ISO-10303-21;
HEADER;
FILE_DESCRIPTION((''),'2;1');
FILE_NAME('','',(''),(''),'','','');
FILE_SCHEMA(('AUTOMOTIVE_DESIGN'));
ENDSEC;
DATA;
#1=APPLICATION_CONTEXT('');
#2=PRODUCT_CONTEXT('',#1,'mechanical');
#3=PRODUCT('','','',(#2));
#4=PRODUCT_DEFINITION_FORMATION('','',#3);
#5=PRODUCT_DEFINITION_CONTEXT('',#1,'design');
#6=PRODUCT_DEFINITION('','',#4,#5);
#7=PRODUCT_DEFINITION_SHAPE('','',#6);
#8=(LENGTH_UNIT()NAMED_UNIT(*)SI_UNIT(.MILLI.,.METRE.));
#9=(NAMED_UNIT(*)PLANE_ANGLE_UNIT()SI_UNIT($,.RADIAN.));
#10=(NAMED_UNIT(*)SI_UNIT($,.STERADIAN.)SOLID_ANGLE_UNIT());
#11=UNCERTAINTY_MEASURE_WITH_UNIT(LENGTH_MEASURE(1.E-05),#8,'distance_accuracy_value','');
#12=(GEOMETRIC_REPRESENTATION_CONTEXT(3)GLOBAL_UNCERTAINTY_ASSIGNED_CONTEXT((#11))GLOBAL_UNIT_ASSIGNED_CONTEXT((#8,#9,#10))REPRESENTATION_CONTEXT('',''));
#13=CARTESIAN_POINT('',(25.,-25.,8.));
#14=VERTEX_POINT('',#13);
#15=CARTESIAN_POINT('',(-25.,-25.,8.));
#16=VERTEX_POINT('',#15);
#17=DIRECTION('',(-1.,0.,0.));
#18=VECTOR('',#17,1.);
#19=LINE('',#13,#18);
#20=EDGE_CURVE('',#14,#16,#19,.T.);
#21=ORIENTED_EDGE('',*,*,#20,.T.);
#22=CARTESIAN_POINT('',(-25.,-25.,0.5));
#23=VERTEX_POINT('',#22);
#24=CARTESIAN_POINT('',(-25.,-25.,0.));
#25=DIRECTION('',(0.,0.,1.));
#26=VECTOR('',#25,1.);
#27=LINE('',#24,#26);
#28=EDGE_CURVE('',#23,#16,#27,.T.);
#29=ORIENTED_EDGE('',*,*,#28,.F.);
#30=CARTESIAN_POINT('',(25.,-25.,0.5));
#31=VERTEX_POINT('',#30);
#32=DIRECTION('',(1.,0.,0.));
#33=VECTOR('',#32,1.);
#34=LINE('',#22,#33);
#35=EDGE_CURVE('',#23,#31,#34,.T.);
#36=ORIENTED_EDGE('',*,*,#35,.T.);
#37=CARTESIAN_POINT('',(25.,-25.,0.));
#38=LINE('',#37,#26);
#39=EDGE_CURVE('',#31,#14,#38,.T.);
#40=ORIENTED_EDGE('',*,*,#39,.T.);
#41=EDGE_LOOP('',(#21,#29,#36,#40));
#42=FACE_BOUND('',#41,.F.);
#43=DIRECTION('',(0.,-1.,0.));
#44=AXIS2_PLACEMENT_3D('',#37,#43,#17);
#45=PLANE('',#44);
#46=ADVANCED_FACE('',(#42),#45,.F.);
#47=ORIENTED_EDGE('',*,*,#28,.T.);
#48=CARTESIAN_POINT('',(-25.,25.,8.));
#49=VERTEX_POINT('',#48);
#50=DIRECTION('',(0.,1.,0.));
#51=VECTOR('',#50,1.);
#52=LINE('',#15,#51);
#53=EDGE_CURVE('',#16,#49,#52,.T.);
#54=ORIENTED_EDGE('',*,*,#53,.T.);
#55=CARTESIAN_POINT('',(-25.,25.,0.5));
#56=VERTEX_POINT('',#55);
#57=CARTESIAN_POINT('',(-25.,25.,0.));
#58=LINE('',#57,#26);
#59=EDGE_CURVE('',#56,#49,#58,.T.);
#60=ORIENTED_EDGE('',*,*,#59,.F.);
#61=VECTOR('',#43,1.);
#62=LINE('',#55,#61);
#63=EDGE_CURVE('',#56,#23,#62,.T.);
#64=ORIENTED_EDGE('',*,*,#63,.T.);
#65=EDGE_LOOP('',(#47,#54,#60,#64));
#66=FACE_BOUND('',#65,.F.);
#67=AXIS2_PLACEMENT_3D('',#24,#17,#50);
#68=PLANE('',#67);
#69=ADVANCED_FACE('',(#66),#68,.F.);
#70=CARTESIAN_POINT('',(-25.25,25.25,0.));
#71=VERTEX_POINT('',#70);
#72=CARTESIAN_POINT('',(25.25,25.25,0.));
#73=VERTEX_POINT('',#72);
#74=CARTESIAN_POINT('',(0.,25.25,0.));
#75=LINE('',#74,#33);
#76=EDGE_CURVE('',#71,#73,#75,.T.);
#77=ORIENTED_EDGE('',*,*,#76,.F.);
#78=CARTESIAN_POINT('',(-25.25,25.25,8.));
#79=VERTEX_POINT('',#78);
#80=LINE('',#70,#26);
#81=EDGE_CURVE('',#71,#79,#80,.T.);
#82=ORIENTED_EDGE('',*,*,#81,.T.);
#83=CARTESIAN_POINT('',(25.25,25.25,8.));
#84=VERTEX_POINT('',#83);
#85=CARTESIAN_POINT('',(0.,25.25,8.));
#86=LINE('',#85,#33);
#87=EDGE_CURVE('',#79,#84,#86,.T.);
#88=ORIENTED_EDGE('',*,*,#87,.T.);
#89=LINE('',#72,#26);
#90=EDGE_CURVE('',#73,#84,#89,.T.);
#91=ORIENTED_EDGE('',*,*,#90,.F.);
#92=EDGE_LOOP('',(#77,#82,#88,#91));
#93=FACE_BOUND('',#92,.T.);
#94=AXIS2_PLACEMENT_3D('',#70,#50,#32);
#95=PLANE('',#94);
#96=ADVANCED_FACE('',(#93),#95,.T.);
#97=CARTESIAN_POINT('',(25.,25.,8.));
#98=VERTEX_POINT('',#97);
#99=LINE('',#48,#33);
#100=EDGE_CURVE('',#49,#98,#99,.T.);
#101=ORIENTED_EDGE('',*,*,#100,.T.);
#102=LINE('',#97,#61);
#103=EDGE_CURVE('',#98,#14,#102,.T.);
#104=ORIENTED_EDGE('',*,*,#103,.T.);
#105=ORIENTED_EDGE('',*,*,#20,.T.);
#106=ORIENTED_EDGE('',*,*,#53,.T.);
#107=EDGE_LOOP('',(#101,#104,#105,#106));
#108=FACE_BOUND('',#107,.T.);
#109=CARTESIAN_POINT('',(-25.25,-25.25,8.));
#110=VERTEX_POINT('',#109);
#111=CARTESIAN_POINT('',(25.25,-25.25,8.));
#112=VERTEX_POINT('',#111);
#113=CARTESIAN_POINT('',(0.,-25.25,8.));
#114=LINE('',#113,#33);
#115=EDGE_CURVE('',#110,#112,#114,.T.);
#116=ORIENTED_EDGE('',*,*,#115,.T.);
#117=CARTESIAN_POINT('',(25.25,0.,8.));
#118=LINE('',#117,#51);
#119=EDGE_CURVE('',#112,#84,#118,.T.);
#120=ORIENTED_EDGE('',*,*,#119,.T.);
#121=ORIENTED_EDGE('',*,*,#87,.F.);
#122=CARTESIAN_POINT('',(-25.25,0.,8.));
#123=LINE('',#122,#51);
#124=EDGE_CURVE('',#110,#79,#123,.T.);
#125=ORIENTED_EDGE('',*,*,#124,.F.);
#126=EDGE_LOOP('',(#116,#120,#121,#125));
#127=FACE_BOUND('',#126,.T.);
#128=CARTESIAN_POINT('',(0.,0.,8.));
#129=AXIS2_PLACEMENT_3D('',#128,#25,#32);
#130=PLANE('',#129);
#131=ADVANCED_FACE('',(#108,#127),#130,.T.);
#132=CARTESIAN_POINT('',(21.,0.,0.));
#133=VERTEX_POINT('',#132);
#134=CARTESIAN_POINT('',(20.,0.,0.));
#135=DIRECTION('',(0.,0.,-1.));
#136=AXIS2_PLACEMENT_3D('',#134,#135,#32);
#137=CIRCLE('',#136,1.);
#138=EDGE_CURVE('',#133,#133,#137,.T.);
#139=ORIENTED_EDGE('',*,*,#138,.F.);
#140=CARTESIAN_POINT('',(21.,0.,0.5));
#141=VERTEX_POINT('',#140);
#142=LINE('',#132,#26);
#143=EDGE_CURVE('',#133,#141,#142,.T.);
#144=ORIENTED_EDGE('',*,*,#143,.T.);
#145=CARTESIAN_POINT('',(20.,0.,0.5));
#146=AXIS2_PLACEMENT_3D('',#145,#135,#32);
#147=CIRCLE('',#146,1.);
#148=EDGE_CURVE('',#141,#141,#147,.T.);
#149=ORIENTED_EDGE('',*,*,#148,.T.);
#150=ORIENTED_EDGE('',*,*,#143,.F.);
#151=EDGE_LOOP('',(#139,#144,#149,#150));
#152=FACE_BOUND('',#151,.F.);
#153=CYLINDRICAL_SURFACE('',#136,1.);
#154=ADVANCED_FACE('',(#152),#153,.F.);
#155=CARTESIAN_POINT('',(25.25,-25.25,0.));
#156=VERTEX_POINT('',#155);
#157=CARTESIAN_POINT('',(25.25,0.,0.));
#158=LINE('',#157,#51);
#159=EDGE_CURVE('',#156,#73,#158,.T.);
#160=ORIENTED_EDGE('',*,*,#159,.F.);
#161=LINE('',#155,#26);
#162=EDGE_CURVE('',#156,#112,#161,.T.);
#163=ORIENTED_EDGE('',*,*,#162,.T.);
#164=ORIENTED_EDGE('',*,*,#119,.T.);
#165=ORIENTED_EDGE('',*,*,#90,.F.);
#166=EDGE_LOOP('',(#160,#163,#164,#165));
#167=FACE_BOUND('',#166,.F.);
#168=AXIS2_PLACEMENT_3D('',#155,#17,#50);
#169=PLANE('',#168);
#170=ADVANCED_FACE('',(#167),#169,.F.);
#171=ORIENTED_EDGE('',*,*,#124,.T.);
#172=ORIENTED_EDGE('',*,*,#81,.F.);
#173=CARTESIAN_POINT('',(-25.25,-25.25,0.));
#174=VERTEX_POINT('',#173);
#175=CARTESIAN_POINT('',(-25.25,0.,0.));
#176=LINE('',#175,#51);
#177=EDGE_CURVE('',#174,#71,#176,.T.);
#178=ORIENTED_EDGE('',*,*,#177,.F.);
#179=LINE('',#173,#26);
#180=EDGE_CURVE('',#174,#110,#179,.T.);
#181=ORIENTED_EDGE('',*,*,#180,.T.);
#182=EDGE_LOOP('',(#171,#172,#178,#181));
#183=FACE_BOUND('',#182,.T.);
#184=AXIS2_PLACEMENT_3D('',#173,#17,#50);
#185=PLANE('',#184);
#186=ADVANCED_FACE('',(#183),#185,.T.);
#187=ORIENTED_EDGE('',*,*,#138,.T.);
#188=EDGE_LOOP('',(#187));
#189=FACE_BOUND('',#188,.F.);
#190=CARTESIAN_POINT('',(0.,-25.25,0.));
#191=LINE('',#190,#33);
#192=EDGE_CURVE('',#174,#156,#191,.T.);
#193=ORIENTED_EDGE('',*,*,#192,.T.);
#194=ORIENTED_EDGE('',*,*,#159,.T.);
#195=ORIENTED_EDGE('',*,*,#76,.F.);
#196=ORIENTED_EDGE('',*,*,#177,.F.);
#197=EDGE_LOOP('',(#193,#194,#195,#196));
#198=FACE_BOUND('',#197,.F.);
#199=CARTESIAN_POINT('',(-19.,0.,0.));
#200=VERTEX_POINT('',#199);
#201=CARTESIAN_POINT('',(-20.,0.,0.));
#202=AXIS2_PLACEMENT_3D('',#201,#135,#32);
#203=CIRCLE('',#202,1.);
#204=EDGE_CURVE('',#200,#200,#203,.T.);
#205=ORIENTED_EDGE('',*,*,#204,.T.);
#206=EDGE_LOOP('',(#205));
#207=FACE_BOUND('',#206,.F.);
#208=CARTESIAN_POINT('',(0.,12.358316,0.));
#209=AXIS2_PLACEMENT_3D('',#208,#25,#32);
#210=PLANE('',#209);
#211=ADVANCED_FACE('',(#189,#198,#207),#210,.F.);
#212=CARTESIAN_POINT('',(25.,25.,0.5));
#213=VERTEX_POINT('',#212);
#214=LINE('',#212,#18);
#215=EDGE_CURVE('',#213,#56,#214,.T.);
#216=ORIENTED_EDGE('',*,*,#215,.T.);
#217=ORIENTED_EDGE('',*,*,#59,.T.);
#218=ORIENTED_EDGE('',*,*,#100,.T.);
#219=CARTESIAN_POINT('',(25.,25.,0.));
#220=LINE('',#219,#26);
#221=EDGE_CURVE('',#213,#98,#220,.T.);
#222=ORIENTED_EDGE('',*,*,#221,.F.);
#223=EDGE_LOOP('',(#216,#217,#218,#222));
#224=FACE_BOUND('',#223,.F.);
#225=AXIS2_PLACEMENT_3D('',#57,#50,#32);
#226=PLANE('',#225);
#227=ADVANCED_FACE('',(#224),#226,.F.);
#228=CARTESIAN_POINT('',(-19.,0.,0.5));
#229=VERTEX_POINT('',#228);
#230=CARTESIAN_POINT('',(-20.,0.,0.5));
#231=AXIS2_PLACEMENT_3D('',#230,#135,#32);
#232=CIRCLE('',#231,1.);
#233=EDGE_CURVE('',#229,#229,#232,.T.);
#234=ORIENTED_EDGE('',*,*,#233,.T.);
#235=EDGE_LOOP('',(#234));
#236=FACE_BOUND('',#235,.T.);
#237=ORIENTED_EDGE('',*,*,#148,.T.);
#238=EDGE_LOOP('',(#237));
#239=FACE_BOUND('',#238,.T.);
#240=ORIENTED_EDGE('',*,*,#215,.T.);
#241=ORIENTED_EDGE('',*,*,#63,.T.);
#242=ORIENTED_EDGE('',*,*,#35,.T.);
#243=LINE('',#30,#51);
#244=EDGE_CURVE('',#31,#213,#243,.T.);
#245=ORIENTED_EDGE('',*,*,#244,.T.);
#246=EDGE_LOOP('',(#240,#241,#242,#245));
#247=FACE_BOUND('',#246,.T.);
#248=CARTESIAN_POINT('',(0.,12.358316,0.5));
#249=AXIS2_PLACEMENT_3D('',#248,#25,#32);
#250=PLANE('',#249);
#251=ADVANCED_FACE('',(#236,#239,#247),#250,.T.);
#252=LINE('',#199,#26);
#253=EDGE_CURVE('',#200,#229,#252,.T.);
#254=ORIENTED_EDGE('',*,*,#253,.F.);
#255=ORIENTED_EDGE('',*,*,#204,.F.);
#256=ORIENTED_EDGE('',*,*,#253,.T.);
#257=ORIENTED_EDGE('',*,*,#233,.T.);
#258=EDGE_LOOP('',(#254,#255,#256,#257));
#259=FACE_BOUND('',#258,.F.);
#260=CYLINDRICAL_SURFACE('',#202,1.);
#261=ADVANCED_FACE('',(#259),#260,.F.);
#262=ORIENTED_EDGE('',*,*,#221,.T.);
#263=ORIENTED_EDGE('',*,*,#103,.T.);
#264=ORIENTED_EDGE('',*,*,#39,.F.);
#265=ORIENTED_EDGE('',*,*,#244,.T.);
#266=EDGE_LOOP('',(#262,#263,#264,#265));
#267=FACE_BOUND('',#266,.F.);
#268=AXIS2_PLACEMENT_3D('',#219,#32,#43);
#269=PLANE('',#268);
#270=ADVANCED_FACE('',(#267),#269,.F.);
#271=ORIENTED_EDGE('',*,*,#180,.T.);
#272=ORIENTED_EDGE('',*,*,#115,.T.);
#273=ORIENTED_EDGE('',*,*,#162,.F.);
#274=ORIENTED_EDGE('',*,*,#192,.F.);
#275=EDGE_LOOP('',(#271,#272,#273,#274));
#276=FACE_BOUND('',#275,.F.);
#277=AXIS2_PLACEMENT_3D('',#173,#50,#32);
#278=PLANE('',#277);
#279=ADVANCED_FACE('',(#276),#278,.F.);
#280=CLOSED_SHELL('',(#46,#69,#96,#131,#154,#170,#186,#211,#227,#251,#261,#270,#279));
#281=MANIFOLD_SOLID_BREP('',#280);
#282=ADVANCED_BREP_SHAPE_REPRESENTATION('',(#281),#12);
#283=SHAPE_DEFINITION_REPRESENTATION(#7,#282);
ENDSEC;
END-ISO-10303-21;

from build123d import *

# Parameters (mm, degrees)
F0_W     = 50.5
F0_H     = 50.5
F1_DEPTH = 8
F2_DEPTH = 0.5


with BuildPart() as f1:
    # F0 (on Top) → F1 (new body)
    with BuildSketch(Plane.XY):
        Rectangle(F0_W, F0_H)
        Polygon((-25, 0), (-25, 25), (25, 25), (25, 0), (25, -25), (-25, -25), align=None, mode=Mode.SUBTRACT)
    extrude(amount=F1_DEPTH)

    # F0 (on Top) → F2 (join)
    with BuildSketch(Plane.XY):
        with BuildLine():
            Line((25, 25), (-25, 25))
            Line((-25, 25), (-25, 0))
            Line((-25, 0), (-21, 0))
            ThreePointArc((-21, 0), (-20, 1), (-19, 0))
            Line((-19, 0), (0, 0))
            Line((0, 0), (19, 0))
            ThreePointArc((19, 0), (20, 1), (21, 0))
            Line((21, 0), (25, 0))
            Line((25, 0), (25, 25))
        make_face()
        with BuildLine():
            Line((-21, 0), (-25, 0))
            Line((-25, 0), (-25, -25))
            Line((-25, -25), (25, -25))
            Line((25, -25), (25, 0))
            Line((25, 0), (21, 0))
            ThreePointArc((21, 0), (20, -1), (19, 0))
            Line((19, 0), (0, 0))
            Line((0, 0), (-19, 0))
            ThreePointArc((-19, 0), (-20, -1), (-21, 0))
        make_face()
    extrude(amount=F2_DEPTH)


solid = f1.part
